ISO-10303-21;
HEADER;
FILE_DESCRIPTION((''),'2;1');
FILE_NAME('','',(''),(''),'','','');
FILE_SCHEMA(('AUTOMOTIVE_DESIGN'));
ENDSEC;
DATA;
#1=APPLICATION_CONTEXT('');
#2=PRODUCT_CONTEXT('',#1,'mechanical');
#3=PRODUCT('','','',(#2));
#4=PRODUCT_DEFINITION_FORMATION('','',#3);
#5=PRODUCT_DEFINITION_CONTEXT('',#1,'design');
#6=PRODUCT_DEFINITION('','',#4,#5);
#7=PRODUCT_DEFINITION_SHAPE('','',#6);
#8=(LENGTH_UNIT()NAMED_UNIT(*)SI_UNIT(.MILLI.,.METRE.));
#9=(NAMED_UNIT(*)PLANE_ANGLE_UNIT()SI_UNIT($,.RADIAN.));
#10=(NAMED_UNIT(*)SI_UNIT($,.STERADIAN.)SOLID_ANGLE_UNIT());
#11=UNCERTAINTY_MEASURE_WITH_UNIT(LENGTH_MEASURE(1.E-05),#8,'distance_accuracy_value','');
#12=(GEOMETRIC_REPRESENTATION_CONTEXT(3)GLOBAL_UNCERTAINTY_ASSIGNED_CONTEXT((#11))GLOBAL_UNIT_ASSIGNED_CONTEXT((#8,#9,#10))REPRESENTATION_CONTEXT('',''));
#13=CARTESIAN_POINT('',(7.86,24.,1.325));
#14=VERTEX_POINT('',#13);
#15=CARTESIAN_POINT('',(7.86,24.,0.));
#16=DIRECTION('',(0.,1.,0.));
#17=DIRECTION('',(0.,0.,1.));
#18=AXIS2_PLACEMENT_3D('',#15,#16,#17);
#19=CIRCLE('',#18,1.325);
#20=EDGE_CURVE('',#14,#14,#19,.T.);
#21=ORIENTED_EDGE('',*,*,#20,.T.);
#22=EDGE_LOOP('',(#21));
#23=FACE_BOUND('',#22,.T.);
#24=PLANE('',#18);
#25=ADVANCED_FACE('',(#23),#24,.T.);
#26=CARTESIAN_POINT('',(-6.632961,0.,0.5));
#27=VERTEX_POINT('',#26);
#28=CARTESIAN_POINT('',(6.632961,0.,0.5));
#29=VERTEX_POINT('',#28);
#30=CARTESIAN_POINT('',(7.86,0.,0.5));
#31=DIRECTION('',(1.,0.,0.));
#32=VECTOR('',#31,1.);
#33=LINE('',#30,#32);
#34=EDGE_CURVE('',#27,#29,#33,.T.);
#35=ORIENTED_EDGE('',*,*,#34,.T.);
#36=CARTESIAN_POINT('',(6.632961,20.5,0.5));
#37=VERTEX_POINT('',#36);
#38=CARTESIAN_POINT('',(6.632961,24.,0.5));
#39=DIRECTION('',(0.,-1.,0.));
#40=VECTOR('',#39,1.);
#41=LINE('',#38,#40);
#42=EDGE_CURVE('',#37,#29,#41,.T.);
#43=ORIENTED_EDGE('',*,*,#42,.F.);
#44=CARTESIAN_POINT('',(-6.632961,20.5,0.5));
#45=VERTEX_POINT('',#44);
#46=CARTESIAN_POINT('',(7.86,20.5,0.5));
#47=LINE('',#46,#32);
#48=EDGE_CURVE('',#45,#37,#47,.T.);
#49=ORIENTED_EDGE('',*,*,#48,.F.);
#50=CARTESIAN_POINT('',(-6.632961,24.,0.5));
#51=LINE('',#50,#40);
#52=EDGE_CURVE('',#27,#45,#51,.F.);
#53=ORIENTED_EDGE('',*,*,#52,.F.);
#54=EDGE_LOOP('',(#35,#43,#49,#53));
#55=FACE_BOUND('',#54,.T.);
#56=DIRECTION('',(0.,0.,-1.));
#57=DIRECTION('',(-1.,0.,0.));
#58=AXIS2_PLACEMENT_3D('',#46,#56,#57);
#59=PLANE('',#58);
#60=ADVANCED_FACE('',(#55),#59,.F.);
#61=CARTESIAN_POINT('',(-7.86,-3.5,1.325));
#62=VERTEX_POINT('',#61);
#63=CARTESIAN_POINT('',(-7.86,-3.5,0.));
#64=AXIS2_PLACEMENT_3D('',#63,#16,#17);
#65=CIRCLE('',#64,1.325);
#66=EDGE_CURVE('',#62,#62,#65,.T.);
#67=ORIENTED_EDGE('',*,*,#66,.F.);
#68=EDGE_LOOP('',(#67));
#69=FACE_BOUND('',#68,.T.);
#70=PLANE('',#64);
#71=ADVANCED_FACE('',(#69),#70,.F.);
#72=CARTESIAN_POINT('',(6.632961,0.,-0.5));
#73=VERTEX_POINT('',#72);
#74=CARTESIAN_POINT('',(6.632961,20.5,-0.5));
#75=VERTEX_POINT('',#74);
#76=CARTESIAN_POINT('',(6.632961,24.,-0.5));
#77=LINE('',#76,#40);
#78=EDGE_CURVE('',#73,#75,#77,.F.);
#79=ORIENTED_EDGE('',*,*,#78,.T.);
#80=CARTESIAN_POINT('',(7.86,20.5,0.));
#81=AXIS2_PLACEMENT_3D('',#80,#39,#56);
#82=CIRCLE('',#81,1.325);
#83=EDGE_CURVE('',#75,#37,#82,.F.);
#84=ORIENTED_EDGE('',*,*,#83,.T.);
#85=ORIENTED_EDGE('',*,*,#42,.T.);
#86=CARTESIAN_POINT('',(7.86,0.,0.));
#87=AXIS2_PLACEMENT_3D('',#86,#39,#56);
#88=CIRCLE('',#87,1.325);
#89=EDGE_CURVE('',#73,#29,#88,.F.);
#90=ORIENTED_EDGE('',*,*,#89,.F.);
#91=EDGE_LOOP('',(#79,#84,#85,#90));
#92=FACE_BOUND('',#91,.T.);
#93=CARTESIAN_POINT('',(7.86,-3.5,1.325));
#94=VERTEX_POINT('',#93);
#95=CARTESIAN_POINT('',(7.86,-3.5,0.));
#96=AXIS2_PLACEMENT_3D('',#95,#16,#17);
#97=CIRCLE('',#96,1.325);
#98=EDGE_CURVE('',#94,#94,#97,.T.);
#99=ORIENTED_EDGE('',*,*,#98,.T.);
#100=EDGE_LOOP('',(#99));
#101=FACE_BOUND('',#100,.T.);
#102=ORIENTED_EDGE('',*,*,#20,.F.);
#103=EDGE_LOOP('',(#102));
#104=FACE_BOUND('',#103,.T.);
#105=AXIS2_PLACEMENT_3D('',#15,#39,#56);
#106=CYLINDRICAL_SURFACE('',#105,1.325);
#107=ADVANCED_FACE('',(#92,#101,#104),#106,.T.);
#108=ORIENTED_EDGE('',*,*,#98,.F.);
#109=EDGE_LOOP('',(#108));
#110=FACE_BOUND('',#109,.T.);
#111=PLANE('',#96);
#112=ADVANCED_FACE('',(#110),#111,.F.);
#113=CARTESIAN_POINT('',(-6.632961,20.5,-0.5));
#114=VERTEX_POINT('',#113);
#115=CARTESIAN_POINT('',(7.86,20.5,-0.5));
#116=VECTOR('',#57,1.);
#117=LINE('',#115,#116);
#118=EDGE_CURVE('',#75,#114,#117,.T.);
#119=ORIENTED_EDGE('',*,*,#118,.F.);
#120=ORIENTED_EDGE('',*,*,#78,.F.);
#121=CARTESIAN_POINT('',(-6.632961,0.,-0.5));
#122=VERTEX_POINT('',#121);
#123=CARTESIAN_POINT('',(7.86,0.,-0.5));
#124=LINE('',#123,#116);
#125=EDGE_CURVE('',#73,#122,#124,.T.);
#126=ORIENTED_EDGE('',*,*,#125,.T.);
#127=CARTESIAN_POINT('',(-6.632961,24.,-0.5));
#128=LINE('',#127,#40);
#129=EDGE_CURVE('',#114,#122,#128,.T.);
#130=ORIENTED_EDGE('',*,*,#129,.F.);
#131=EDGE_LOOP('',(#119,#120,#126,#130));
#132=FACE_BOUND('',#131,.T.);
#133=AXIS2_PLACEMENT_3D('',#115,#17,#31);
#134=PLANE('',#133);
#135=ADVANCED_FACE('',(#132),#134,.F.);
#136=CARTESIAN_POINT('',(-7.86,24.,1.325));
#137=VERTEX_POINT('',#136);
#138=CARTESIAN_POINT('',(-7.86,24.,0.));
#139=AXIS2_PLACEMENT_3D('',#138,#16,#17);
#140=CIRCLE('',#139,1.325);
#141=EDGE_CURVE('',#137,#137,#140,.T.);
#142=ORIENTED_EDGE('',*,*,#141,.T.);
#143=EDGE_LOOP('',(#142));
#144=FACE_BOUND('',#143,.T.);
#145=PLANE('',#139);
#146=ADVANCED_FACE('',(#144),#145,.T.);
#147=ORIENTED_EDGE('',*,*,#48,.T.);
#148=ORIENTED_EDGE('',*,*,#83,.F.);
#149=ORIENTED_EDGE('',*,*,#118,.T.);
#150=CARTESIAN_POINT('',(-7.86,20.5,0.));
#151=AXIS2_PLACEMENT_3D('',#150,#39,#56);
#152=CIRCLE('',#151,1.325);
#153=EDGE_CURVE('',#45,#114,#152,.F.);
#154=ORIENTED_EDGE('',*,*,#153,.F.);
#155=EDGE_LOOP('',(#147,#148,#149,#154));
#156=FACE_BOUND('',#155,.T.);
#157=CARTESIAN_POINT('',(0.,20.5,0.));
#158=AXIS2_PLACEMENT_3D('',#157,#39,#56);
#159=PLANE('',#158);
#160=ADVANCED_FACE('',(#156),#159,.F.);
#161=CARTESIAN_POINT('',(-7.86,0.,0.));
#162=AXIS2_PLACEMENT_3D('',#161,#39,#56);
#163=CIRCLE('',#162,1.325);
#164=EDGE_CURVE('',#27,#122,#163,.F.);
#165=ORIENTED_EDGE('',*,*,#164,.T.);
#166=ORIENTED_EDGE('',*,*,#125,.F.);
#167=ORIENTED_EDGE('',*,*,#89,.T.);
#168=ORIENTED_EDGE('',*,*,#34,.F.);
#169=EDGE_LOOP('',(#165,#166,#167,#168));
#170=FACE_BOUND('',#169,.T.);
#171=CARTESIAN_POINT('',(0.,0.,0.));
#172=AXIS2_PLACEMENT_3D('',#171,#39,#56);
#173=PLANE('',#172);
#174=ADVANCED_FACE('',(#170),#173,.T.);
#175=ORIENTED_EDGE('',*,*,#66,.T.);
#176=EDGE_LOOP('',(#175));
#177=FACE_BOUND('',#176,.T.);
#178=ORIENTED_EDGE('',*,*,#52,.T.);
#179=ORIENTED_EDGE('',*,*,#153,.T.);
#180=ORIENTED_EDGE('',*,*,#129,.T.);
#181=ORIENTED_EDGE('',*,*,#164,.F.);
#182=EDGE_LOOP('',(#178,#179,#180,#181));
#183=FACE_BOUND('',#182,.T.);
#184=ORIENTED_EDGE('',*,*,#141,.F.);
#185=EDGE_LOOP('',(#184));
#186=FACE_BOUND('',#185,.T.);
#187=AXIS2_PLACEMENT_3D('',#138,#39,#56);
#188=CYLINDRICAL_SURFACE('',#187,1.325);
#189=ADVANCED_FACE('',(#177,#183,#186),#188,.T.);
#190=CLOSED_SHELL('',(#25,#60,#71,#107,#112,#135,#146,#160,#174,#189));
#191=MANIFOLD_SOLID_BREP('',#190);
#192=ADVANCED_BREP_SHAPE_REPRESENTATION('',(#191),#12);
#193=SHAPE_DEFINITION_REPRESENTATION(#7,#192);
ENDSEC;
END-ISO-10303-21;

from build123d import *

# Parameters (mm, degrees)
SKETCH1_W           = 15.72
SKETCH1_H           = 1
BOSS_EXTRUDE1_DEPTH = 20.5
SKETCH2_R           = 1.325
BOSS_EXTRUDE2_DEPTH = 13.75


with BuildPart() as part:
    # Sketch1 → Boss-Extrude1 (new body)
    with BuildSketch(Plane(origin=(0, 0, 0), x_dir=(1, 0, 0), z_dir=(0, 1, 0))):
        Rectangle(SKETCH1_W, SKETCH1_H)
    extrude(amount=BOSS_EXTRUDE1_DEPTH)

    # Sketch2 → Boss-Extrude2 (add, symmetric)
    with BuildSketch(Plane(origin=(0, 10.25, 0), x_dir=(1, 0, 0), z_dir=(0, 1, 0))):
        with Locations(Location((-7.86, 0, 0), (0, 0, 270))):
            Circle(SKETCH2_R)
        with Locations(Location((7.86, 0, 0), (0, 0, 270))):
            Circle(SKETCH2_R)
    extrude(amount=BOSS_EXTRUDE2_DEPTH, both=True)


solid = part.part
